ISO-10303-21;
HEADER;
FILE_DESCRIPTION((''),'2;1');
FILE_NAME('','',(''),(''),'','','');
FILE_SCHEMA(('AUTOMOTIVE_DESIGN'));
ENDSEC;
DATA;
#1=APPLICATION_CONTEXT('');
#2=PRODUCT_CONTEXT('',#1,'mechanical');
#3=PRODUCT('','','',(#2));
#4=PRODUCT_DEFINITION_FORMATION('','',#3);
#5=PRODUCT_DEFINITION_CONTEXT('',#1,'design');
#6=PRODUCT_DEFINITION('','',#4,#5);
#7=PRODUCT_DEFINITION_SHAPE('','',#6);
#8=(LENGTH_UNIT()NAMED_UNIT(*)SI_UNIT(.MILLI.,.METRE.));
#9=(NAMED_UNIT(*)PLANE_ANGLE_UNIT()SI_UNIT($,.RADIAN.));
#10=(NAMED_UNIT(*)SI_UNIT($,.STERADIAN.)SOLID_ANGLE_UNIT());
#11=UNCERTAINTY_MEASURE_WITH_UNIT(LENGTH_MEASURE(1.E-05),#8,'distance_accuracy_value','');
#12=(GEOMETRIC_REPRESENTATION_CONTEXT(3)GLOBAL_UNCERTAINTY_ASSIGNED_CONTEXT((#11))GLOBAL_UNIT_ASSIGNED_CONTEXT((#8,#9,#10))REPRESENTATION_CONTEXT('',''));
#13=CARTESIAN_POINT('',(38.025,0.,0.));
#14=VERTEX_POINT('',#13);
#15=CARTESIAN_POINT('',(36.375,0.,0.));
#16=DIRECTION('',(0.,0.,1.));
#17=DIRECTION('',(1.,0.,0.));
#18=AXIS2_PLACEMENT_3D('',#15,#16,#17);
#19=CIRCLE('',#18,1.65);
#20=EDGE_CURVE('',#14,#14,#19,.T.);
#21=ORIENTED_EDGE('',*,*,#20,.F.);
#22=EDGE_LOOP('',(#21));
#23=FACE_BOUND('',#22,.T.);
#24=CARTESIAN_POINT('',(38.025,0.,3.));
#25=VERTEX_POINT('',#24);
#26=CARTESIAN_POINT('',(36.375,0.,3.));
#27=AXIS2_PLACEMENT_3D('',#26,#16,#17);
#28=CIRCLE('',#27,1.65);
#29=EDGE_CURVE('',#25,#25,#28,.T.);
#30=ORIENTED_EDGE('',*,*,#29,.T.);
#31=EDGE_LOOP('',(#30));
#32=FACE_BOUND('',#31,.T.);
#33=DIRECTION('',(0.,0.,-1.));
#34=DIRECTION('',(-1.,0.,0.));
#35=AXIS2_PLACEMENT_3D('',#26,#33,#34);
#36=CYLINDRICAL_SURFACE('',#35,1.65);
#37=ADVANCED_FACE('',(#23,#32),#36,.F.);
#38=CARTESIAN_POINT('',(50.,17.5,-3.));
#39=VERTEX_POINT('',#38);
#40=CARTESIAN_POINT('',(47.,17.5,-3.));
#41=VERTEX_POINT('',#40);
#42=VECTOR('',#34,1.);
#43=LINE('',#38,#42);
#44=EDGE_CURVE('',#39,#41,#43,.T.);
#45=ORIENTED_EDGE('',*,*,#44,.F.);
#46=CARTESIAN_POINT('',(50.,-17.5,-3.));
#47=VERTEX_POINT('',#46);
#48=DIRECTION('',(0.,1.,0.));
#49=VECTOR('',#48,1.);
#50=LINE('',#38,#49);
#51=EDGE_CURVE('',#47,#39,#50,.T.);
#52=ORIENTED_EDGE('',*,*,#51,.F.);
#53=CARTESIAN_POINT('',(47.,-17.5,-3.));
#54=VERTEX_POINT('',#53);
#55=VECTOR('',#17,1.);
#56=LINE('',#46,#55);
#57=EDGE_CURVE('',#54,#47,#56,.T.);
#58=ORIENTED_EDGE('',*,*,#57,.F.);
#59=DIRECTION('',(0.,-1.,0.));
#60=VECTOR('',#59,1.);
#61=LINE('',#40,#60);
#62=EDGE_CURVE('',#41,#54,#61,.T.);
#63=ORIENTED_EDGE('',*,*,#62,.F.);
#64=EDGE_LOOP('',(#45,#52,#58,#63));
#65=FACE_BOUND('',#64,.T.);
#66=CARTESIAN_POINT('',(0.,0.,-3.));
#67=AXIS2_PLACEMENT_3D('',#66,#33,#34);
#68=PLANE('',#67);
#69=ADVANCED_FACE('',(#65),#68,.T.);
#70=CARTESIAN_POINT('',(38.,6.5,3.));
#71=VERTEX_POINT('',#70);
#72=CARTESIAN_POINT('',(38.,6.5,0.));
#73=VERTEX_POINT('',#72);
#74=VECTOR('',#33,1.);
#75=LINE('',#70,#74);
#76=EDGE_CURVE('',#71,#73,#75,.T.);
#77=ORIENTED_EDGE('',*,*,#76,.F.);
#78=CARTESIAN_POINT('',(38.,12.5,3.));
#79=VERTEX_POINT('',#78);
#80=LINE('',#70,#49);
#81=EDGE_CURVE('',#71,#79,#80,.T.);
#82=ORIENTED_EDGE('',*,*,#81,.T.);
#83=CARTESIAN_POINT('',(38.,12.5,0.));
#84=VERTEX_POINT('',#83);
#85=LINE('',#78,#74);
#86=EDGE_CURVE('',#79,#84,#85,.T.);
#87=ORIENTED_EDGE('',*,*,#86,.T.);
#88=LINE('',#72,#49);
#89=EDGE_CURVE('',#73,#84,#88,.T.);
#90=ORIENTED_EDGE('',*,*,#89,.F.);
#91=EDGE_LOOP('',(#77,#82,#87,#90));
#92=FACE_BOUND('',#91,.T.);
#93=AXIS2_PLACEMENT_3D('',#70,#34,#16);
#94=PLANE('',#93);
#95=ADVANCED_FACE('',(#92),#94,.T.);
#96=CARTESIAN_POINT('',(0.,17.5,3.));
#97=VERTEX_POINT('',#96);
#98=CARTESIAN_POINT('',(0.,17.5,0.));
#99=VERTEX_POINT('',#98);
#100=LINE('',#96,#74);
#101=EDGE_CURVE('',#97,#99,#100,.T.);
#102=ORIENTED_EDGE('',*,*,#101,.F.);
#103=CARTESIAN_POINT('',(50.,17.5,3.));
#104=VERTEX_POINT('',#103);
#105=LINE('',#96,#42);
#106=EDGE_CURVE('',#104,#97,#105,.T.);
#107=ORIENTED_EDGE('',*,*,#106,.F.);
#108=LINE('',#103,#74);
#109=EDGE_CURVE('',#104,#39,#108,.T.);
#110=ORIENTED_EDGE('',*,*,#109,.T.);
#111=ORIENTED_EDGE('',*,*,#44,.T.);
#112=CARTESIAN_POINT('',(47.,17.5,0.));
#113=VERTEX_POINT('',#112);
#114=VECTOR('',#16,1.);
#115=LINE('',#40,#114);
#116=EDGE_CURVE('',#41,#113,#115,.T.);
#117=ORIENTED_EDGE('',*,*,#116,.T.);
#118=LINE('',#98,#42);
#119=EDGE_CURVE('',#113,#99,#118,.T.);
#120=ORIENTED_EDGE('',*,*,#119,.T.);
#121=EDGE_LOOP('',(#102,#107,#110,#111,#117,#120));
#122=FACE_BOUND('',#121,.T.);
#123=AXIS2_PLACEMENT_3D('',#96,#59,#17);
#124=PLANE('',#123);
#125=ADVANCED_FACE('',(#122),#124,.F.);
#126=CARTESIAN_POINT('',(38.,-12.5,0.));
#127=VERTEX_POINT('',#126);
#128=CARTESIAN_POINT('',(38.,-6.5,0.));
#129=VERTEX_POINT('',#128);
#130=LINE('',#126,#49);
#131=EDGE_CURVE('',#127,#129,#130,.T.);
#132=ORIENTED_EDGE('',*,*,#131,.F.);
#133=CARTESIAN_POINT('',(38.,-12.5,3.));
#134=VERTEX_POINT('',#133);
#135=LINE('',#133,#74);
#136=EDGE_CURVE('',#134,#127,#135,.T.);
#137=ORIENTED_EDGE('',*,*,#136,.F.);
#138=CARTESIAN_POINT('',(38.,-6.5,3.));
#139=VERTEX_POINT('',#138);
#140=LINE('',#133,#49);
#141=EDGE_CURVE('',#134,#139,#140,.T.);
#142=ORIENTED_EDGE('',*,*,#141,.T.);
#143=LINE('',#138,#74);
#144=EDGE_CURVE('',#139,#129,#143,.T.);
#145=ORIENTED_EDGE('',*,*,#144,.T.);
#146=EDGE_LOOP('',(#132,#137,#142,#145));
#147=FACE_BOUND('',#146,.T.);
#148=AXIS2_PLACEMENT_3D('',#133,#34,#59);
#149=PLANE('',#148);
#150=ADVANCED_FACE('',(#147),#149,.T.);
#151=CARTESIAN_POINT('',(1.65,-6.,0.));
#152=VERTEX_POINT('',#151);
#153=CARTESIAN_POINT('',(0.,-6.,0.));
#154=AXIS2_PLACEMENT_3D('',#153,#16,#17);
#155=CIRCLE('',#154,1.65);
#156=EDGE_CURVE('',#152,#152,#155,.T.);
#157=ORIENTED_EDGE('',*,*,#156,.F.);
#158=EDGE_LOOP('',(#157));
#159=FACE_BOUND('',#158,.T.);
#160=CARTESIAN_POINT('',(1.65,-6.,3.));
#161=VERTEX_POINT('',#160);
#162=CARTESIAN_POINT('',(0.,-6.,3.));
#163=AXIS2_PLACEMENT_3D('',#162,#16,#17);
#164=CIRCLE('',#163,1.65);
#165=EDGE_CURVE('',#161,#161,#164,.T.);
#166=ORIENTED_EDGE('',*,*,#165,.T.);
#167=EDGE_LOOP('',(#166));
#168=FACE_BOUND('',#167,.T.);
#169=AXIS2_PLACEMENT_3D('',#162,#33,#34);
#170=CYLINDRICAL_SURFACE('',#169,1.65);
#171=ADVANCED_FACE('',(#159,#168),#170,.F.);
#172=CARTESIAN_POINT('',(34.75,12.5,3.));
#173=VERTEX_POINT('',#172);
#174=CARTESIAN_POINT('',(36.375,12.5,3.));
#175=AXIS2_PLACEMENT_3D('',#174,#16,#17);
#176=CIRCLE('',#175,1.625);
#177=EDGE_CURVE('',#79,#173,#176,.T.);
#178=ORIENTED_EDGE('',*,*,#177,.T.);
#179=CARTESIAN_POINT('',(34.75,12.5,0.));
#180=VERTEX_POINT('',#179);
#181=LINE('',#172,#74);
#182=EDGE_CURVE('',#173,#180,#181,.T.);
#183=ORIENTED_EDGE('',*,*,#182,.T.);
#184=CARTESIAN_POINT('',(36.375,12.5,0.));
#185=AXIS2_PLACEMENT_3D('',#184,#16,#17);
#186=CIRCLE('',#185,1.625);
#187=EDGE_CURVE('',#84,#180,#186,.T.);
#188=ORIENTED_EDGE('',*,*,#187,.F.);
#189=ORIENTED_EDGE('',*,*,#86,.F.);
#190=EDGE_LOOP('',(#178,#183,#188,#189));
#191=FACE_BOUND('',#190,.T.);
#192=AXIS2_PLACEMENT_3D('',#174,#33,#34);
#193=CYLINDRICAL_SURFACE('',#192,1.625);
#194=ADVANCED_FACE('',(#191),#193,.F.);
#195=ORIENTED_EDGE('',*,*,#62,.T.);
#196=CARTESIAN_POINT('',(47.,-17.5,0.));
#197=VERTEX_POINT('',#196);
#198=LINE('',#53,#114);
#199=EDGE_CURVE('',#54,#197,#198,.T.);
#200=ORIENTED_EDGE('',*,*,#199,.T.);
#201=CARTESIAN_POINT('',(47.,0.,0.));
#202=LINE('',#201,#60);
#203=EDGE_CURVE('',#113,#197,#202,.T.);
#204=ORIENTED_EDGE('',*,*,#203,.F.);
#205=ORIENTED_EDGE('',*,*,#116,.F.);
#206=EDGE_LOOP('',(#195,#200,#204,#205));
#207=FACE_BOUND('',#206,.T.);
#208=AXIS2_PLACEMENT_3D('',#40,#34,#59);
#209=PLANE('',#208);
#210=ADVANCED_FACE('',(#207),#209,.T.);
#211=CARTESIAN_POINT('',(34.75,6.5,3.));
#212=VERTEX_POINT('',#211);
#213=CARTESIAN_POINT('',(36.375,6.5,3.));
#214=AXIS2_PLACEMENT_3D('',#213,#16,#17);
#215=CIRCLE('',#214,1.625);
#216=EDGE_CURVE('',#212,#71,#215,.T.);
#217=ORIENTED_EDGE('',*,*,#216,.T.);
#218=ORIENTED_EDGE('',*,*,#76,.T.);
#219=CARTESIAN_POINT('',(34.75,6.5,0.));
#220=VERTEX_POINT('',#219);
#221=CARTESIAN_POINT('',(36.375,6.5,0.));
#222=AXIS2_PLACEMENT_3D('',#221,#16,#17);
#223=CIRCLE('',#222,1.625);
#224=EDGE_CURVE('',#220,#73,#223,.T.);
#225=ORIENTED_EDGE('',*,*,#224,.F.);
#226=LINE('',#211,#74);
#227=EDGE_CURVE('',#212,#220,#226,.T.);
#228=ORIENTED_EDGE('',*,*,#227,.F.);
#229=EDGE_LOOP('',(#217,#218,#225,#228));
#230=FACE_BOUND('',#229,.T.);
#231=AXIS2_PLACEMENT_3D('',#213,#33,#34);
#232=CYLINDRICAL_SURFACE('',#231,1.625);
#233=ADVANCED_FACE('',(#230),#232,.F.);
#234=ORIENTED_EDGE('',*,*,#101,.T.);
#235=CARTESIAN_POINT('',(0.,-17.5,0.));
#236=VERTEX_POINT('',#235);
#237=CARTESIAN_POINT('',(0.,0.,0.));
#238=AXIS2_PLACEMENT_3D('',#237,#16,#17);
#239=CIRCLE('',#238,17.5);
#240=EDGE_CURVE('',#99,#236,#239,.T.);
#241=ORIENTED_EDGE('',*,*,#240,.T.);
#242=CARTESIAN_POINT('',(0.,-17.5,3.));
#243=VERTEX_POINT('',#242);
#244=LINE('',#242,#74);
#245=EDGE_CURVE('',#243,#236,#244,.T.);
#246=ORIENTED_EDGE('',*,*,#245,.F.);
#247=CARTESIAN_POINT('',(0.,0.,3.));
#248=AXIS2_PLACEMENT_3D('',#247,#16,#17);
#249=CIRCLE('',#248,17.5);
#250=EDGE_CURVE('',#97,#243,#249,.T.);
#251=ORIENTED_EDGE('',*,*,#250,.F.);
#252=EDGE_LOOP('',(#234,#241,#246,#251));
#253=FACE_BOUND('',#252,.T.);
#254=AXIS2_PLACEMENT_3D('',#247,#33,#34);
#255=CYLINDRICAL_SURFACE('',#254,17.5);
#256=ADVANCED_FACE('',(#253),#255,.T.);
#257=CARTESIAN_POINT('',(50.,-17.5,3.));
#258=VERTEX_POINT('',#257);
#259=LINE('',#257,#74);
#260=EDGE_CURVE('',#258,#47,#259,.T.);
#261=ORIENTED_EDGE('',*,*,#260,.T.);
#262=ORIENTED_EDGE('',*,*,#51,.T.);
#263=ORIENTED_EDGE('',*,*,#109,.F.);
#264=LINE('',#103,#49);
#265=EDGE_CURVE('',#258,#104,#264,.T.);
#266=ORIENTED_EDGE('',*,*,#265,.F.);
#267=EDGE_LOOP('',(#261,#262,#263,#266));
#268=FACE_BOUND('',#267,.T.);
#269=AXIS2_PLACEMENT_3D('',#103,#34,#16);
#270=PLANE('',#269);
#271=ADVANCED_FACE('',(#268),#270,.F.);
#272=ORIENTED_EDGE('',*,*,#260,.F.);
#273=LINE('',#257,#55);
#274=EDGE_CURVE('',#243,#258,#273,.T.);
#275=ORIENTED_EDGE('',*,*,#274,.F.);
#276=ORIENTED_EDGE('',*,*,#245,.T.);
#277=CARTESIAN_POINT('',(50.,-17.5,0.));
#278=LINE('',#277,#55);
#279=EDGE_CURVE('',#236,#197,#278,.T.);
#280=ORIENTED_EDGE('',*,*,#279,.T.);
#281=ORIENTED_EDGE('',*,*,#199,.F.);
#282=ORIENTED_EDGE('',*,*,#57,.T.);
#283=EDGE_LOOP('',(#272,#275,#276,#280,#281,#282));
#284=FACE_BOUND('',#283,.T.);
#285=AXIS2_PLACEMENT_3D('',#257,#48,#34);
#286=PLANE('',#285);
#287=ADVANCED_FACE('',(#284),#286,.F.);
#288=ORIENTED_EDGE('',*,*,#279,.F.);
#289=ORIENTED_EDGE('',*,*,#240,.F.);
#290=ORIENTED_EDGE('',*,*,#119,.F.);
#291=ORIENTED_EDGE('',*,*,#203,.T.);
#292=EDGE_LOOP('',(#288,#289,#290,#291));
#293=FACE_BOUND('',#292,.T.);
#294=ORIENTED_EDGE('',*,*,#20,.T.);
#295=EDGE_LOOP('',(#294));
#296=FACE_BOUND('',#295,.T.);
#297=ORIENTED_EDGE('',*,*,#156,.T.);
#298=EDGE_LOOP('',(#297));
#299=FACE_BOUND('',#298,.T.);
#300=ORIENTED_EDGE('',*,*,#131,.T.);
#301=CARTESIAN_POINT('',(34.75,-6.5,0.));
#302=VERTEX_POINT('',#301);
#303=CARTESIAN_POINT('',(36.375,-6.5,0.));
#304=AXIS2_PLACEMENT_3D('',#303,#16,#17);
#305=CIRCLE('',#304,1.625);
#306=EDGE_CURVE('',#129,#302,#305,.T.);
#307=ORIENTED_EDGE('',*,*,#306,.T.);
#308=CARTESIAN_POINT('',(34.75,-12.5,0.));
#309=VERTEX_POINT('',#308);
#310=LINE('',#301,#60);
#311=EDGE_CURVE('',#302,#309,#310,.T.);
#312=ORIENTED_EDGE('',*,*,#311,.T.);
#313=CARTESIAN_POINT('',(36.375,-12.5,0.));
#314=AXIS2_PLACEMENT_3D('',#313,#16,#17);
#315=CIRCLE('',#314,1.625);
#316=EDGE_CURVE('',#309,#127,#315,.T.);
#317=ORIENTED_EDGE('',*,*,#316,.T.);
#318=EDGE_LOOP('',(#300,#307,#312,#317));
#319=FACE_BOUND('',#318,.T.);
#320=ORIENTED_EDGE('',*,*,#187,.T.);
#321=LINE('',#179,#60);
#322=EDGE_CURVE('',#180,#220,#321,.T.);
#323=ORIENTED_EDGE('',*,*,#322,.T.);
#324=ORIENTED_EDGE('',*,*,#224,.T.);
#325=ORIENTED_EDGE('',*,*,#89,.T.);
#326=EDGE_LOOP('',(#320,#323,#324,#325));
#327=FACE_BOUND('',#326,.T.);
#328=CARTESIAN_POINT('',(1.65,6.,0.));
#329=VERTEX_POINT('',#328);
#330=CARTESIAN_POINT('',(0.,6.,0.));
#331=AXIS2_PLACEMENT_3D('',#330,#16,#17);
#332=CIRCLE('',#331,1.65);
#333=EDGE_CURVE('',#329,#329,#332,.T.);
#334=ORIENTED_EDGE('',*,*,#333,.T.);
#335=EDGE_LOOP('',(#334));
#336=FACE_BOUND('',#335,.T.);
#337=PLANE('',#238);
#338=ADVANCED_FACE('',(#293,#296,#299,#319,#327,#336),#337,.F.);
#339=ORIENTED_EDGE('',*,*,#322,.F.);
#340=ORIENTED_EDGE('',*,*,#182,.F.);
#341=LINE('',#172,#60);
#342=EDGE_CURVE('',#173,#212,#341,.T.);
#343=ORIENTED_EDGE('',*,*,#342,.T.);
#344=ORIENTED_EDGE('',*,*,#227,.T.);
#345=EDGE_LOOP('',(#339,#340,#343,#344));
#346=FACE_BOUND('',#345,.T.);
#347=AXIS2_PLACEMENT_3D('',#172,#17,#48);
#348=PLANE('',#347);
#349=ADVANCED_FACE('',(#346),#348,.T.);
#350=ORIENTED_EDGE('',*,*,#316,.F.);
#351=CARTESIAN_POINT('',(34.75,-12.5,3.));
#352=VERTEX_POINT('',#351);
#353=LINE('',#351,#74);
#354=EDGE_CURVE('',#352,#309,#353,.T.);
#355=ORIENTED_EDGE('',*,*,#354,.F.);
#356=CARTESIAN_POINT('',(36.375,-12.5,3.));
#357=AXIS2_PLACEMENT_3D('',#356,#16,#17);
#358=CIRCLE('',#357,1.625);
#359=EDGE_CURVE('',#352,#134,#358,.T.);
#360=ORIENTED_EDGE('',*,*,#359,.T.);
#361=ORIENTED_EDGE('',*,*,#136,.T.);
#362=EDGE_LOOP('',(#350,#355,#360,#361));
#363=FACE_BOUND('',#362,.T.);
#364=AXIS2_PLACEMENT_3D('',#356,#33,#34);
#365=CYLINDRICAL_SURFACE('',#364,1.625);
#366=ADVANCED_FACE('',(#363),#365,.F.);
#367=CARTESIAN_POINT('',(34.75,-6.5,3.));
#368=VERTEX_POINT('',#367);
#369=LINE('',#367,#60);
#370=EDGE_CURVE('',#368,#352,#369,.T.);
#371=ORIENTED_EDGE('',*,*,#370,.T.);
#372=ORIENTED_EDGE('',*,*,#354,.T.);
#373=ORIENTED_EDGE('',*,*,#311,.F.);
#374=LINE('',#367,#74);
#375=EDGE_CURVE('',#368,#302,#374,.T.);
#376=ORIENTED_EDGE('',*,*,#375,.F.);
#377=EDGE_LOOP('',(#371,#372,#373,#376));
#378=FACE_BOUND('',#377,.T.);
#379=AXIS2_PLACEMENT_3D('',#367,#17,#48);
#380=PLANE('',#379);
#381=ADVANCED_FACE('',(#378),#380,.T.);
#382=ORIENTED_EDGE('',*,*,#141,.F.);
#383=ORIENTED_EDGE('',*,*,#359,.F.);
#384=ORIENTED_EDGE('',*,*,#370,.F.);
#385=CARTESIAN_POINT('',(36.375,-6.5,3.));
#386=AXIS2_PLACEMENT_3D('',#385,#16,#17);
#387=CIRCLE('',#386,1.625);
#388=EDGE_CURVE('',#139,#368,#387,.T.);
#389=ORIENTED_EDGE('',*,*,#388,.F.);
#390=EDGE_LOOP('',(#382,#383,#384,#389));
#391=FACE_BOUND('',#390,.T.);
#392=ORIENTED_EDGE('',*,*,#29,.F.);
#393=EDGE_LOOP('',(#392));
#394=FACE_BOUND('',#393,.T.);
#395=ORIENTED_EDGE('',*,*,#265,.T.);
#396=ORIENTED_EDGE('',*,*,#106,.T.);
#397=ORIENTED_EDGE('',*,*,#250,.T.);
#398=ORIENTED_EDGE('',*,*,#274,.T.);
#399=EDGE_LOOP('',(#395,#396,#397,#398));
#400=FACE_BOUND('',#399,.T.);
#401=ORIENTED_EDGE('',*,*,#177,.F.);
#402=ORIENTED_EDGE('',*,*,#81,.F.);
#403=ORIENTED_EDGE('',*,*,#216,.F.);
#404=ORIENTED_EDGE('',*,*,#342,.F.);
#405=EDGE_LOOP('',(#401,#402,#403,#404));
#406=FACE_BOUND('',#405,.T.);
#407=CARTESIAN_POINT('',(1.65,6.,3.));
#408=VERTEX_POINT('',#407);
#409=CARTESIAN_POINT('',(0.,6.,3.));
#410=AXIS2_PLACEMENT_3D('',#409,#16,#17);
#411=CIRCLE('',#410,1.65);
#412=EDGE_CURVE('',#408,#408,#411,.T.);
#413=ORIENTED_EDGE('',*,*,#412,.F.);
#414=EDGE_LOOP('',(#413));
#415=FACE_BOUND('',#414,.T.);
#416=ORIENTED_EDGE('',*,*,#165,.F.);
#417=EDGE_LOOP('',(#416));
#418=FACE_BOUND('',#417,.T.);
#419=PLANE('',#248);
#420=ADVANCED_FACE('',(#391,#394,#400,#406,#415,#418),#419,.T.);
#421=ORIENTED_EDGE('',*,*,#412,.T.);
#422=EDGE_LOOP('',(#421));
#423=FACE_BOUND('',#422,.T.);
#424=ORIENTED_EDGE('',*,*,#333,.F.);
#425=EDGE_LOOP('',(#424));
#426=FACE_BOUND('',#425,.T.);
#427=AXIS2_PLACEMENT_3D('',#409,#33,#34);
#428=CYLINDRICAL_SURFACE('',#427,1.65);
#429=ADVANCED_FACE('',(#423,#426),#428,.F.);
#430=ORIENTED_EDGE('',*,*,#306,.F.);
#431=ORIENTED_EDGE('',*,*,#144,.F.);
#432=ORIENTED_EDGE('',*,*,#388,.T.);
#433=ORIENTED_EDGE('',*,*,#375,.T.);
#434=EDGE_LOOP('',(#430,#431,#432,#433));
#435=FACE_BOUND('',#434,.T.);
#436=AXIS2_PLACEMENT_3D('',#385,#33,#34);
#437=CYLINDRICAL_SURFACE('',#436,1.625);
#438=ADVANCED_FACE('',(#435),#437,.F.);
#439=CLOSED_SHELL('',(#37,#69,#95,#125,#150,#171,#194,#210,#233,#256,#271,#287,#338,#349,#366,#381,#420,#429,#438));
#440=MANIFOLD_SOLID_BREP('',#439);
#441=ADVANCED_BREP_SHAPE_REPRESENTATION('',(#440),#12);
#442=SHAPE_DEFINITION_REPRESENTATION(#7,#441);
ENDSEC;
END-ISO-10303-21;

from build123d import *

# Parameters (mm, degrees)
SKETCH_1_R      = 1.65
EXTRUDE_1_DEPTH = 3
SKETCH_2_W      = 3
SKETCH_2_H      = 35
EXTRUDE_2_DEPTH = 6


with BuildPart() as part:
    # 草图1 → 凸台-拉伸1 (new body)
    with BuildSketch(Plane.XY):
        with BuildLine():
            Line((0, 17.5), (50, 17.5))
            Line((50, 17.5), (50, -17.5))
            Line((50, -17.5), (0, -17.5))
            ThreePointArc((0, -17.5), (-17.5, 0), (0, 17.5))
        make_face()
        with Locations((36.375, 0)):
            Circle(SKETCH_1_R, mode=Mode.SUBTRACT)
        with Locations((0, 6)):
            Circle(SKETCH_1_R, mode=Mode.SUBTRACT)
        with Locations((0, -6)):
            Circle(SKETCH_1_R, mode=Mode.SUBTRACT)
        with BuildLine():
            Line((34.75, 12.5), (34.75, 6.5))
            ThreePointArc((34.75, 6.5), (36.375, 4.875), (38, 6.5))
            Line((38, 6.5), (38, 12.5))
            ThreePointArc((38, 12.5), (36.375, 14.125), (34.75, 12.5))
        make_face(mode=Mode.SUBTRACT)
        with BuildLine():
            Line((34.75, -6.5), (34.75, -12.5))
            ThreePointArc((34.75, -12.5), (36.375, -14.125), (38, -12.5))
            Line((38, -12.5), (38, -6.5))
            ThreePointArc((38, -6.5), (36.375, -4.875), (34.75, -6.5))
        make_face(mode=Mode.SUBTRACT)
    extrude(amount=EXTRUDE_1_DEPTH)

    # 草图2 → 凸台-拉伸2 (add)
    with BuildSketch(Plane.XY.offset(3)):
        with Locations((48.5, 0)):
            Rectangle(SKETCH_2_W, SKETCH_2_H)
    extrude(amount=-EXTRUDE_2_DEPTH)


solid = part.part
